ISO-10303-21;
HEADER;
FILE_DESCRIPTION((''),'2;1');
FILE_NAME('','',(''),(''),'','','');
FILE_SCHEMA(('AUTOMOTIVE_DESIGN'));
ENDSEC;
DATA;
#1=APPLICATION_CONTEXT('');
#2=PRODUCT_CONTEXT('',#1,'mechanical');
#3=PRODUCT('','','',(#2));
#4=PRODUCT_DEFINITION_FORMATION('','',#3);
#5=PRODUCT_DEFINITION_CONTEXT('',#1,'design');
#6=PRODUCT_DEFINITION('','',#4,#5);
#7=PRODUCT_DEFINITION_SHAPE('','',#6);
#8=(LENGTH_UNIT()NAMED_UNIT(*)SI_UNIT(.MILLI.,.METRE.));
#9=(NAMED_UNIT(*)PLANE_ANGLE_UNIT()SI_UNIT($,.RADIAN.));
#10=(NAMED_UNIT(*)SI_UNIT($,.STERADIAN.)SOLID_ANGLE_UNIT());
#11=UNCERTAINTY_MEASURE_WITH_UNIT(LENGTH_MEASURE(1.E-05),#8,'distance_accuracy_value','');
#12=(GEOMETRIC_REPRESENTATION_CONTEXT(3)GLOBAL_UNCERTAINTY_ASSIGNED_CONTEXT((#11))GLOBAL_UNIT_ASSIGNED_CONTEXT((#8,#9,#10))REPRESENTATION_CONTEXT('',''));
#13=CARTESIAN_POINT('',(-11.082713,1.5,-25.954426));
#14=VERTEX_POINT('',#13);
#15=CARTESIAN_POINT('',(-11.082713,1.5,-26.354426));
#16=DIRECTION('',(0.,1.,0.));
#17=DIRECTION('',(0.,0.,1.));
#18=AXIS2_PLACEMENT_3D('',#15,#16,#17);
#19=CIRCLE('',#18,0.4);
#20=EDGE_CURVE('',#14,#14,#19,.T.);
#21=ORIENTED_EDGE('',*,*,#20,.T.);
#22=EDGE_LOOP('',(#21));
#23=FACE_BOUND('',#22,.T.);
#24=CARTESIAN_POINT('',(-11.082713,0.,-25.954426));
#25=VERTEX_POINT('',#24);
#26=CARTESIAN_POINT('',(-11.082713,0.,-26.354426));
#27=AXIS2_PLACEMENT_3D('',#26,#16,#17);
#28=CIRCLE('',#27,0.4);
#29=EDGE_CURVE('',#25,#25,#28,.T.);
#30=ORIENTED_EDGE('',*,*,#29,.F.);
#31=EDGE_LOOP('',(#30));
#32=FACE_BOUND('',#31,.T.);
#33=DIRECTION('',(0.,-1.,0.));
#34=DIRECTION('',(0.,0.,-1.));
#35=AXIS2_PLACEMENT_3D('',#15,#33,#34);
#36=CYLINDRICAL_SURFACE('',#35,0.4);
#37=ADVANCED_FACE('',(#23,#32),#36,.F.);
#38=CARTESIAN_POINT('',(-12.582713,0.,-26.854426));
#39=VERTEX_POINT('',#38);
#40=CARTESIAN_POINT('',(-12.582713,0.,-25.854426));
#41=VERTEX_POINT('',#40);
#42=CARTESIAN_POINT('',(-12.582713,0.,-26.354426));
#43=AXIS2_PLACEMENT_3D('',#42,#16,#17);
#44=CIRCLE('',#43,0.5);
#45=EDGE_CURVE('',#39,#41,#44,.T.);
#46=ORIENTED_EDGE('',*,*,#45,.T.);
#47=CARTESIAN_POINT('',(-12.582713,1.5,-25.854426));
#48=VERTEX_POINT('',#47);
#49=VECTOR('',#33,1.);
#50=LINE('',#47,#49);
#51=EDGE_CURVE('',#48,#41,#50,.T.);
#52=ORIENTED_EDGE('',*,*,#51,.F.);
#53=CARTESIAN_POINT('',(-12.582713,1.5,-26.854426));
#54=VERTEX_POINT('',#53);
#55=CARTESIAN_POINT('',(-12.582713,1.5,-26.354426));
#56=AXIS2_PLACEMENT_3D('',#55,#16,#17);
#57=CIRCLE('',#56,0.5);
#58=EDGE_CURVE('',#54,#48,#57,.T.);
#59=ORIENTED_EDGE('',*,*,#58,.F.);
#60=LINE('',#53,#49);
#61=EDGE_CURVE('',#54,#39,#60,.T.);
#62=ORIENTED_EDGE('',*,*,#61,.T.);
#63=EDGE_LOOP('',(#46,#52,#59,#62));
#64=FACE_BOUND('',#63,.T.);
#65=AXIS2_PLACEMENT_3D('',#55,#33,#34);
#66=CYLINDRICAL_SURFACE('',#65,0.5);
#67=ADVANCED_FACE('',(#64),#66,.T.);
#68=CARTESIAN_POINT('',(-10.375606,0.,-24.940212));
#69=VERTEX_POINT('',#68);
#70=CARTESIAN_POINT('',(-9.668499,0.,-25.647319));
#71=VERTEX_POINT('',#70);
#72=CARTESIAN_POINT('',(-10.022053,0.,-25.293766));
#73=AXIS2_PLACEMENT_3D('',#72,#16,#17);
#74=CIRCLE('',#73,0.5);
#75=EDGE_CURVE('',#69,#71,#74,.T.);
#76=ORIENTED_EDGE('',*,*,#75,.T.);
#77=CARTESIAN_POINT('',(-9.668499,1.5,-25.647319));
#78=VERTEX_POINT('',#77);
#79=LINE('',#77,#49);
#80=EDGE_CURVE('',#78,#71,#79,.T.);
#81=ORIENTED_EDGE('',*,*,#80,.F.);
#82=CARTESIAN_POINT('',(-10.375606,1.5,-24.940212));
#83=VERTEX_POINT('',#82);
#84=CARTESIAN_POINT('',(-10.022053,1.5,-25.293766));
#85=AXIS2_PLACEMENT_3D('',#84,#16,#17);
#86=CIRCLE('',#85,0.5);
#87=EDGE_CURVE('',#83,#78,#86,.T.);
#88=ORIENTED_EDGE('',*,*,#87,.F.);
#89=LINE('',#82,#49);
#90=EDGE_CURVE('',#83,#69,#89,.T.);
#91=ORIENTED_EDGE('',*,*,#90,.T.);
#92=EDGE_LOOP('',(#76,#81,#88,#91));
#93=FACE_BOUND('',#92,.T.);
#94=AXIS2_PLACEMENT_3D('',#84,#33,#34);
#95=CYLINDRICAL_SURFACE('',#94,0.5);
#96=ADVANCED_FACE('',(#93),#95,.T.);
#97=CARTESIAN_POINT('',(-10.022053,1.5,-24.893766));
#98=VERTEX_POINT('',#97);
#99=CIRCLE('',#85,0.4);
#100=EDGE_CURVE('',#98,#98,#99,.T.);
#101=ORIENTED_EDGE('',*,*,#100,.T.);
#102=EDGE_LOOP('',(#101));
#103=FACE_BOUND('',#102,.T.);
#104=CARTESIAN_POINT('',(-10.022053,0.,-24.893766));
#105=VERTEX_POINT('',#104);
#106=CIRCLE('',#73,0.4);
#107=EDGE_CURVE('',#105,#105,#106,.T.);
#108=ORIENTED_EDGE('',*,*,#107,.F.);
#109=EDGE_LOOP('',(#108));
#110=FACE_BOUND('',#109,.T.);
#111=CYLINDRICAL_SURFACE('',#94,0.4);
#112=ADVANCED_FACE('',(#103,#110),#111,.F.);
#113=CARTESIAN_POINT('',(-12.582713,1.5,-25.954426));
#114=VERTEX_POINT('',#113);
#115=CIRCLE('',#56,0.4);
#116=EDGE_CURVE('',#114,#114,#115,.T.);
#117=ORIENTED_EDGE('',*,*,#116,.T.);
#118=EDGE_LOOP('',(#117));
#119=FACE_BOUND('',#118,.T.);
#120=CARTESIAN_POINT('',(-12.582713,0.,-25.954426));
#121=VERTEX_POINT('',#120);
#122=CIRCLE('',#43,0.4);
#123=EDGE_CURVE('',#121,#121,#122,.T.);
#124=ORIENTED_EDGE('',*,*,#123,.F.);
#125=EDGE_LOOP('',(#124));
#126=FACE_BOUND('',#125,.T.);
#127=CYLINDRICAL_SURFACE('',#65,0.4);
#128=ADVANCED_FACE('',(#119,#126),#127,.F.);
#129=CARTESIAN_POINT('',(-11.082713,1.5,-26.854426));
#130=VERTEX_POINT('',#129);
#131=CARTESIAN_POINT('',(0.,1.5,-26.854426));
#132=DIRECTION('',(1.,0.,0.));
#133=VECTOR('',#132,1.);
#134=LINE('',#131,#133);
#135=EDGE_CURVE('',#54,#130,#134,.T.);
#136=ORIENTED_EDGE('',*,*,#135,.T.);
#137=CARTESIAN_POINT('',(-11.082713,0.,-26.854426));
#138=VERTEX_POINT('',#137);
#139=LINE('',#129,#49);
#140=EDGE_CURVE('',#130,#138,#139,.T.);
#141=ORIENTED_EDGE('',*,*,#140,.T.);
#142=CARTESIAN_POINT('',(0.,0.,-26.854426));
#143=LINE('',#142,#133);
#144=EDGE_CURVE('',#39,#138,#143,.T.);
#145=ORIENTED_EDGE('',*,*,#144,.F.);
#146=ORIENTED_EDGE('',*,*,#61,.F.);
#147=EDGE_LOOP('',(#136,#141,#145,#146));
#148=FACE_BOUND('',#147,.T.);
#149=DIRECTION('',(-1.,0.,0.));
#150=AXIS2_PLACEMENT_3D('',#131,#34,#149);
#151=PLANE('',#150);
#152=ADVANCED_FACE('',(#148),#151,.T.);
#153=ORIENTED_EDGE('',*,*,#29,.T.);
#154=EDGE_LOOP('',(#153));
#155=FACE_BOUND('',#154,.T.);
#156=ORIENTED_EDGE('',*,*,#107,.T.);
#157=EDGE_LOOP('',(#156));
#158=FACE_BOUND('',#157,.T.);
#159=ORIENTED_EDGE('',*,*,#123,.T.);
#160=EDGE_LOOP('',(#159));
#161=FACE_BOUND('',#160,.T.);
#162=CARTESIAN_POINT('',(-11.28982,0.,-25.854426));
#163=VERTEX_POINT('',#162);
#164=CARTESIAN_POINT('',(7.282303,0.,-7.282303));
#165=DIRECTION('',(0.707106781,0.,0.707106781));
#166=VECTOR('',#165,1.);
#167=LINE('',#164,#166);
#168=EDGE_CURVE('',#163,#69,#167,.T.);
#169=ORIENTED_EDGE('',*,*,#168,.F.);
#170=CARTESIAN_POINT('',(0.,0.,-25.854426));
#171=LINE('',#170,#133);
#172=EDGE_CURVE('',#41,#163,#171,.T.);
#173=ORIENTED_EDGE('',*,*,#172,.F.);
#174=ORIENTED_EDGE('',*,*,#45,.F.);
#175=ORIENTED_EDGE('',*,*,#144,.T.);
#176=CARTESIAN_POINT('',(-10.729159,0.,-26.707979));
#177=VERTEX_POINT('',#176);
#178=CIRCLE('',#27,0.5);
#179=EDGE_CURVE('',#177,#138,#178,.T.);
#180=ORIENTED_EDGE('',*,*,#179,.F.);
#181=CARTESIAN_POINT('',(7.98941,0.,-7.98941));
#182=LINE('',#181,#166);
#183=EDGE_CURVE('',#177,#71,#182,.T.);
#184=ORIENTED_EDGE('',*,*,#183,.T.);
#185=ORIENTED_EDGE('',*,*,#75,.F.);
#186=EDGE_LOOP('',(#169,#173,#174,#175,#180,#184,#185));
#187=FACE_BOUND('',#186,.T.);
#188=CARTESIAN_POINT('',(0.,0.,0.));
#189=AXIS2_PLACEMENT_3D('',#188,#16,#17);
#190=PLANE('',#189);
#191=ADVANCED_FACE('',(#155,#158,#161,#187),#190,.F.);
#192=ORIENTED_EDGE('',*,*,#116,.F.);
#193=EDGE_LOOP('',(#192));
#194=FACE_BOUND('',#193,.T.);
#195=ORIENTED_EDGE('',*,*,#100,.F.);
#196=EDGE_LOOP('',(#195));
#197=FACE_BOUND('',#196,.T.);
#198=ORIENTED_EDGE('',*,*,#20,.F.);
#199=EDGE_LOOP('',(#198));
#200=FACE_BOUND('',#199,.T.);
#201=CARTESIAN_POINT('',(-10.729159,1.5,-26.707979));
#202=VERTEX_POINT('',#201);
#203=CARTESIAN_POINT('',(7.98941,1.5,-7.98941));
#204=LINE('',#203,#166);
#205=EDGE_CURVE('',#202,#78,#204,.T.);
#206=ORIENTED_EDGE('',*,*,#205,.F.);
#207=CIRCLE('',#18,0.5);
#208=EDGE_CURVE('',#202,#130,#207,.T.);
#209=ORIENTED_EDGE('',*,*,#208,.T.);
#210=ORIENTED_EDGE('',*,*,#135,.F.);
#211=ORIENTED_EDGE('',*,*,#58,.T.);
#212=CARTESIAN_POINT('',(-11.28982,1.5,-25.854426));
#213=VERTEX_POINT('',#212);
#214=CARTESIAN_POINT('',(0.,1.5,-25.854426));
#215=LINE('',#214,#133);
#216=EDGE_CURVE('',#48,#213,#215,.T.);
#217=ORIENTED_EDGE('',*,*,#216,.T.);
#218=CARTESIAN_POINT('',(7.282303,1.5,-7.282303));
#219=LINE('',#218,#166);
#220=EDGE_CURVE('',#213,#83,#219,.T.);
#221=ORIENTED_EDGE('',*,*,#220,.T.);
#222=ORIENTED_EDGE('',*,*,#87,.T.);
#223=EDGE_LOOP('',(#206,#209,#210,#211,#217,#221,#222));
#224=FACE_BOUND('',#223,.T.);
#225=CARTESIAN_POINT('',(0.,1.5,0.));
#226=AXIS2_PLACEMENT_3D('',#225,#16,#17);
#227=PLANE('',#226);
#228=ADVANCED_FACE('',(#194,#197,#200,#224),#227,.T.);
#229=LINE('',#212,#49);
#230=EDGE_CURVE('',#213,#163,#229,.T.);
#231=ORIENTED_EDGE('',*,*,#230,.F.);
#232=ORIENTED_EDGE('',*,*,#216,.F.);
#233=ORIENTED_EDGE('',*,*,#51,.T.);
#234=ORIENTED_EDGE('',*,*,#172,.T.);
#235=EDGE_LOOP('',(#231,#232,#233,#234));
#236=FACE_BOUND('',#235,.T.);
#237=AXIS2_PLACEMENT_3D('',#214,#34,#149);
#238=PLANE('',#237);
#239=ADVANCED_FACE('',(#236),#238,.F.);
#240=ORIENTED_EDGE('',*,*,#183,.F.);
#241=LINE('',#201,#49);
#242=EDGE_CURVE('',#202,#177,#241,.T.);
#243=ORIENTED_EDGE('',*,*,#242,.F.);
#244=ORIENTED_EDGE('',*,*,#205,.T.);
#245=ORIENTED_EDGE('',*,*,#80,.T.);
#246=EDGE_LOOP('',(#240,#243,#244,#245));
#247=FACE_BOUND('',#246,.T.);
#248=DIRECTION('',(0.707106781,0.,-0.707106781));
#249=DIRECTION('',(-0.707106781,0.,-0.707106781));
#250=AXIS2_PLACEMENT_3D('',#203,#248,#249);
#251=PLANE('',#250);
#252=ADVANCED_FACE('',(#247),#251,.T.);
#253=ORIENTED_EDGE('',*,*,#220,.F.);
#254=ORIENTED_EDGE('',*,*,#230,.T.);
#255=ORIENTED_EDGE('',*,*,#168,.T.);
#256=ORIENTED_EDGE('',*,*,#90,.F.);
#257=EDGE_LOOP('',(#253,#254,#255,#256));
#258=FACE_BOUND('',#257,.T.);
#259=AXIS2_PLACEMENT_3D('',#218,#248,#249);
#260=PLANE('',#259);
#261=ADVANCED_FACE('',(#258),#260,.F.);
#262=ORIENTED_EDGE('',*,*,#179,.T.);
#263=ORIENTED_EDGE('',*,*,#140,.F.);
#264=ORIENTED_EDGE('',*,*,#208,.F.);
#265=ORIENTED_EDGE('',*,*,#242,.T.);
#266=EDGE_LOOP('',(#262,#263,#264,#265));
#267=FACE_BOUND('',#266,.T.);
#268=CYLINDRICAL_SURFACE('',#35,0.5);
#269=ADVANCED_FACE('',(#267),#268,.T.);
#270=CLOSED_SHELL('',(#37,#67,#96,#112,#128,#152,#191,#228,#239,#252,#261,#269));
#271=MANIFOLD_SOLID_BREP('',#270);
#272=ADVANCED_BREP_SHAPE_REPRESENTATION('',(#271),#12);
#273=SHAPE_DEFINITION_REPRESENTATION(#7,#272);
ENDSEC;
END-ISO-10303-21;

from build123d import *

# Parameters (mm, degrees)
SKETCH1_R           = 0.4
BOSS_EXTRUDE1_DEPTH = 1.5


with BuildPart() as part:
    # Sketch1 → Boss-Extrude1 (new body)
    # profile 1 of 3: a face of its own
    with BuildSketch(Plane(origin=(0, 0, 0), x_dir=(1, 0, 0), z_dir=(0, 1, 0))):
        with BuildLine():
            ThreePointArc((-10.729159454, 26.707979083), (-10.891371129, 26.816365459), (-11.082712845, 26.854425692))
            ThreePointArc((-11.082712845, 26.854425692), (-11.544652611, 26.545767409), (-11.436266235, 26.000872302))
            Line((-11.436266235, 26.000872302), (-11.289819626, 25.854425692))
            Line((-11.289819626, 25.854425692), (-11.082712845, 25.854425692))
            ThreePointArc((-11.082712845, 25.854425692), (-10.620773079, 26.163083976), (-10.729159454, 26.707979083))
        make_face()
        with Locations(Location((-11.082712845, 26.354425692, 0), (0, 0, 270))):
            Circle(SKETCH1_R, mode=Mode.SUBTRACT)
    # profile 2 of 3: a face of its own
    with BuildSketch(Plane(origin=(0, 0, 0), x_dir=(1, 0, 0), z_dir=(0, 1, 0))):
        with BuildLine():
            Line((-11.082712845, 26.854425692), (-12.582712845, 26.854425692))
            ThreePointArc((-12.582712845, 26.854425692), (-13.082712845, 26.354425692), (-12.582712845, 25.854425692))
            Line((-12.582712845, 25.854425692), (-11.289819626, 25.854425692))
            Line((-11.289819626, 25.854425692), (-11.436266235, 26.000872302))
            ThreePointArc((-11.436266235, 26.000872302), (-11.544652611, 26.545767409), (-11.082712845, 26.854425692))
        make_face()
        with Locations(Location((-12.582712845, 26.354425692, 0), (0, 0, 270))):
            Circle(SKETCH1_R, mode=Mode.SUBTRACT)
    # profile 3 of 3: a face of its own
    with BuildSketch(Plane(origin=(0, 0, 0), x_dir=(1, 0, 0), z_dir=(0, 1, 0))):
        with BuildLine():
            Line((-9.668499282, 25.647318911), (-10.729159454, 26.707979083))
            ThreePointArc((-10.729159454, 26.707979083), (-10.620773079, 26.163083976), (-11.082712845, 25.854425692))
            Line((-11.082712845, 25.854425692), (-11.289819626, 25.854425692))
            Line((-11.289819626, 25.854425692), (-10.375606064, 24.94021213))
            ThreePointArc((-10.375606064, 24.94021213), (-9.668499282, 24.94021213), (-9.668499282, 25.647318911))
        make_face()
        with Locations(Location((-10.022052673, 25.293765521, 0), (0, 0, 270))):
            Circle(SKETCH1_R, mode=Mode.SUBTRACT)
    extrude(amount=BOSS_EXTRUDE1_DEPTH)


solid = part.part
